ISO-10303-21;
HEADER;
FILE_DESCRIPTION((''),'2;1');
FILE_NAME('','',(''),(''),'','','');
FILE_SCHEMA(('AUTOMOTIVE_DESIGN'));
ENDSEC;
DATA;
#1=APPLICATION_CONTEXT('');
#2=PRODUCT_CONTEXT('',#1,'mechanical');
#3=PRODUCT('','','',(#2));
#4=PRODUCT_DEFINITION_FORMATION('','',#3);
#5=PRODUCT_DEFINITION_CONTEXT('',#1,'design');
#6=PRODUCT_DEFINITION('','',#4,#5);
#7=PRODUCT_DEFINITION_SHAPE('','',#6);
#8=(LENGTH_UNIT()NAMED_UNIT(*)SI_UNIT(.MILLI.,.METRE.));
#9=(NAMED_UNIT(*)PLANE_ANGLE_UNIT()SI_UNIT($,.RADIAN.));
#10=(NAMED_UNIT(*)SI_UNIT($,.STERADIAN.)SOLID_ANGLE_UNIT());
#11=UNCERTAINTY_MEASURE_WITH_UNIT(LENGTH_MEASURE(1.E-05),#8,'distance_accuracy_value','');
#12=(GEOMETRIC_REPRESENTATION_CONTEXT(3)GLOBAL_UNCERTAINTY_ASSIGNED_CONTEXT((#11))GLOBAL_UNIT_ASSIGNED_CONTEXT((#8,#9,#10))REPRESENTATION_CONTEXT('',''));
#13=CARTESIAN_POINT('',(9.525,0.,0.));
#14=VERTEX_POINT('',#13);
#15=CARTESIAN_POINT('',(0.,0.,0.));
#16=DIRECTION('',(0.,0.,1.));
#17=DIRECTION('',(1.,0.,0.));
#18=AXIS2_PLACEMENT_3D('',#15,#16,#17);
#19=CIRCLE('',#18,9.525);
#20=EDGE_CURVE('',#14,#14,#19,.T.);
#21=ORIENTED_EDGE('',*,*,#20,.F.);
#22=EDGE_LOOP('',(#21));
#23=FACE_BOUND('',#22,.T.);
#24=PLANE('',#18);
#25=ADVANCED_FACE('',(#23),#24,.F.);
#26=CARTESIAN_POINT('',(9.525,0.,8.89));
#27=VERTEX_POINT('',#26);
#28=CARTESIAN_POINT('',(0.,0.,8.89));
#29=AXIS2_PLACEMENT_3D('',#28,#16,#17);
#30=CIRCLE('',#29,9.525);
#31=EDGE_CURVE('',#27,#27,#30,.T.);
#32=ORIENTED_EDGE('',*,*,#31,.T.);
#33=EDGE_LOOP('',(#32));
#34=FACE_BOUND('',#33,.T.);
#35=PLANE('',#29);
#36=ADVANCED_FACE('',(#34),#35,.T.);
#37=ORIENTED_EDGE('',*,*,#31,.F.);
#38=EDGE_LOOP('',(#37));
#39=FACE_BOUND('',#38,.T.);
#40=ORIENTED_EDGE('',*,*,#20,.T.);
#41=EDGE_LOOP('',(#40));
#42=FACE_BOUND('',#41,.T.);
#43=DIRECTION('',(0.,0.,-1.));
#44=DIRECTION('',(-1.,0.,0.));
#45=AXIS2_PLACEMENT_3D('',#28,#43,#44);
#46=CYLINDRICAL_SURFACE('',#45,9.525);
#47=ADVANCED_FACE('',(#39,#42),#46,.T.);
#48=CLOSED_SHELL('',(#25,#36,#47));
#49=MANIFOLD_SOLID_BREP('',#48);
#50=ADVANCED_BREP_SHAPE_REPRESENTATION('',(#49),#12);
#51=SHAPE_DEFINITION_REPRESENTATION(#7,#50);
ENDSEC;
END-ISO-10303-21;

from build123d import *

# Parameters (mm, degrees)
SKETCH1_R           = 9.525
BOSS_EXTRUDE1_DEPTH = 8.89


with BuildPart() as part:
    # Sketch1 → Boss-Extrude1 (new body)
    with BuildSketch(Plane.XY):
        Circle(SKETCH1_R)
    extrude(amount=BOSS_EXTRUDE1_DEPTH)


solid = part.part
